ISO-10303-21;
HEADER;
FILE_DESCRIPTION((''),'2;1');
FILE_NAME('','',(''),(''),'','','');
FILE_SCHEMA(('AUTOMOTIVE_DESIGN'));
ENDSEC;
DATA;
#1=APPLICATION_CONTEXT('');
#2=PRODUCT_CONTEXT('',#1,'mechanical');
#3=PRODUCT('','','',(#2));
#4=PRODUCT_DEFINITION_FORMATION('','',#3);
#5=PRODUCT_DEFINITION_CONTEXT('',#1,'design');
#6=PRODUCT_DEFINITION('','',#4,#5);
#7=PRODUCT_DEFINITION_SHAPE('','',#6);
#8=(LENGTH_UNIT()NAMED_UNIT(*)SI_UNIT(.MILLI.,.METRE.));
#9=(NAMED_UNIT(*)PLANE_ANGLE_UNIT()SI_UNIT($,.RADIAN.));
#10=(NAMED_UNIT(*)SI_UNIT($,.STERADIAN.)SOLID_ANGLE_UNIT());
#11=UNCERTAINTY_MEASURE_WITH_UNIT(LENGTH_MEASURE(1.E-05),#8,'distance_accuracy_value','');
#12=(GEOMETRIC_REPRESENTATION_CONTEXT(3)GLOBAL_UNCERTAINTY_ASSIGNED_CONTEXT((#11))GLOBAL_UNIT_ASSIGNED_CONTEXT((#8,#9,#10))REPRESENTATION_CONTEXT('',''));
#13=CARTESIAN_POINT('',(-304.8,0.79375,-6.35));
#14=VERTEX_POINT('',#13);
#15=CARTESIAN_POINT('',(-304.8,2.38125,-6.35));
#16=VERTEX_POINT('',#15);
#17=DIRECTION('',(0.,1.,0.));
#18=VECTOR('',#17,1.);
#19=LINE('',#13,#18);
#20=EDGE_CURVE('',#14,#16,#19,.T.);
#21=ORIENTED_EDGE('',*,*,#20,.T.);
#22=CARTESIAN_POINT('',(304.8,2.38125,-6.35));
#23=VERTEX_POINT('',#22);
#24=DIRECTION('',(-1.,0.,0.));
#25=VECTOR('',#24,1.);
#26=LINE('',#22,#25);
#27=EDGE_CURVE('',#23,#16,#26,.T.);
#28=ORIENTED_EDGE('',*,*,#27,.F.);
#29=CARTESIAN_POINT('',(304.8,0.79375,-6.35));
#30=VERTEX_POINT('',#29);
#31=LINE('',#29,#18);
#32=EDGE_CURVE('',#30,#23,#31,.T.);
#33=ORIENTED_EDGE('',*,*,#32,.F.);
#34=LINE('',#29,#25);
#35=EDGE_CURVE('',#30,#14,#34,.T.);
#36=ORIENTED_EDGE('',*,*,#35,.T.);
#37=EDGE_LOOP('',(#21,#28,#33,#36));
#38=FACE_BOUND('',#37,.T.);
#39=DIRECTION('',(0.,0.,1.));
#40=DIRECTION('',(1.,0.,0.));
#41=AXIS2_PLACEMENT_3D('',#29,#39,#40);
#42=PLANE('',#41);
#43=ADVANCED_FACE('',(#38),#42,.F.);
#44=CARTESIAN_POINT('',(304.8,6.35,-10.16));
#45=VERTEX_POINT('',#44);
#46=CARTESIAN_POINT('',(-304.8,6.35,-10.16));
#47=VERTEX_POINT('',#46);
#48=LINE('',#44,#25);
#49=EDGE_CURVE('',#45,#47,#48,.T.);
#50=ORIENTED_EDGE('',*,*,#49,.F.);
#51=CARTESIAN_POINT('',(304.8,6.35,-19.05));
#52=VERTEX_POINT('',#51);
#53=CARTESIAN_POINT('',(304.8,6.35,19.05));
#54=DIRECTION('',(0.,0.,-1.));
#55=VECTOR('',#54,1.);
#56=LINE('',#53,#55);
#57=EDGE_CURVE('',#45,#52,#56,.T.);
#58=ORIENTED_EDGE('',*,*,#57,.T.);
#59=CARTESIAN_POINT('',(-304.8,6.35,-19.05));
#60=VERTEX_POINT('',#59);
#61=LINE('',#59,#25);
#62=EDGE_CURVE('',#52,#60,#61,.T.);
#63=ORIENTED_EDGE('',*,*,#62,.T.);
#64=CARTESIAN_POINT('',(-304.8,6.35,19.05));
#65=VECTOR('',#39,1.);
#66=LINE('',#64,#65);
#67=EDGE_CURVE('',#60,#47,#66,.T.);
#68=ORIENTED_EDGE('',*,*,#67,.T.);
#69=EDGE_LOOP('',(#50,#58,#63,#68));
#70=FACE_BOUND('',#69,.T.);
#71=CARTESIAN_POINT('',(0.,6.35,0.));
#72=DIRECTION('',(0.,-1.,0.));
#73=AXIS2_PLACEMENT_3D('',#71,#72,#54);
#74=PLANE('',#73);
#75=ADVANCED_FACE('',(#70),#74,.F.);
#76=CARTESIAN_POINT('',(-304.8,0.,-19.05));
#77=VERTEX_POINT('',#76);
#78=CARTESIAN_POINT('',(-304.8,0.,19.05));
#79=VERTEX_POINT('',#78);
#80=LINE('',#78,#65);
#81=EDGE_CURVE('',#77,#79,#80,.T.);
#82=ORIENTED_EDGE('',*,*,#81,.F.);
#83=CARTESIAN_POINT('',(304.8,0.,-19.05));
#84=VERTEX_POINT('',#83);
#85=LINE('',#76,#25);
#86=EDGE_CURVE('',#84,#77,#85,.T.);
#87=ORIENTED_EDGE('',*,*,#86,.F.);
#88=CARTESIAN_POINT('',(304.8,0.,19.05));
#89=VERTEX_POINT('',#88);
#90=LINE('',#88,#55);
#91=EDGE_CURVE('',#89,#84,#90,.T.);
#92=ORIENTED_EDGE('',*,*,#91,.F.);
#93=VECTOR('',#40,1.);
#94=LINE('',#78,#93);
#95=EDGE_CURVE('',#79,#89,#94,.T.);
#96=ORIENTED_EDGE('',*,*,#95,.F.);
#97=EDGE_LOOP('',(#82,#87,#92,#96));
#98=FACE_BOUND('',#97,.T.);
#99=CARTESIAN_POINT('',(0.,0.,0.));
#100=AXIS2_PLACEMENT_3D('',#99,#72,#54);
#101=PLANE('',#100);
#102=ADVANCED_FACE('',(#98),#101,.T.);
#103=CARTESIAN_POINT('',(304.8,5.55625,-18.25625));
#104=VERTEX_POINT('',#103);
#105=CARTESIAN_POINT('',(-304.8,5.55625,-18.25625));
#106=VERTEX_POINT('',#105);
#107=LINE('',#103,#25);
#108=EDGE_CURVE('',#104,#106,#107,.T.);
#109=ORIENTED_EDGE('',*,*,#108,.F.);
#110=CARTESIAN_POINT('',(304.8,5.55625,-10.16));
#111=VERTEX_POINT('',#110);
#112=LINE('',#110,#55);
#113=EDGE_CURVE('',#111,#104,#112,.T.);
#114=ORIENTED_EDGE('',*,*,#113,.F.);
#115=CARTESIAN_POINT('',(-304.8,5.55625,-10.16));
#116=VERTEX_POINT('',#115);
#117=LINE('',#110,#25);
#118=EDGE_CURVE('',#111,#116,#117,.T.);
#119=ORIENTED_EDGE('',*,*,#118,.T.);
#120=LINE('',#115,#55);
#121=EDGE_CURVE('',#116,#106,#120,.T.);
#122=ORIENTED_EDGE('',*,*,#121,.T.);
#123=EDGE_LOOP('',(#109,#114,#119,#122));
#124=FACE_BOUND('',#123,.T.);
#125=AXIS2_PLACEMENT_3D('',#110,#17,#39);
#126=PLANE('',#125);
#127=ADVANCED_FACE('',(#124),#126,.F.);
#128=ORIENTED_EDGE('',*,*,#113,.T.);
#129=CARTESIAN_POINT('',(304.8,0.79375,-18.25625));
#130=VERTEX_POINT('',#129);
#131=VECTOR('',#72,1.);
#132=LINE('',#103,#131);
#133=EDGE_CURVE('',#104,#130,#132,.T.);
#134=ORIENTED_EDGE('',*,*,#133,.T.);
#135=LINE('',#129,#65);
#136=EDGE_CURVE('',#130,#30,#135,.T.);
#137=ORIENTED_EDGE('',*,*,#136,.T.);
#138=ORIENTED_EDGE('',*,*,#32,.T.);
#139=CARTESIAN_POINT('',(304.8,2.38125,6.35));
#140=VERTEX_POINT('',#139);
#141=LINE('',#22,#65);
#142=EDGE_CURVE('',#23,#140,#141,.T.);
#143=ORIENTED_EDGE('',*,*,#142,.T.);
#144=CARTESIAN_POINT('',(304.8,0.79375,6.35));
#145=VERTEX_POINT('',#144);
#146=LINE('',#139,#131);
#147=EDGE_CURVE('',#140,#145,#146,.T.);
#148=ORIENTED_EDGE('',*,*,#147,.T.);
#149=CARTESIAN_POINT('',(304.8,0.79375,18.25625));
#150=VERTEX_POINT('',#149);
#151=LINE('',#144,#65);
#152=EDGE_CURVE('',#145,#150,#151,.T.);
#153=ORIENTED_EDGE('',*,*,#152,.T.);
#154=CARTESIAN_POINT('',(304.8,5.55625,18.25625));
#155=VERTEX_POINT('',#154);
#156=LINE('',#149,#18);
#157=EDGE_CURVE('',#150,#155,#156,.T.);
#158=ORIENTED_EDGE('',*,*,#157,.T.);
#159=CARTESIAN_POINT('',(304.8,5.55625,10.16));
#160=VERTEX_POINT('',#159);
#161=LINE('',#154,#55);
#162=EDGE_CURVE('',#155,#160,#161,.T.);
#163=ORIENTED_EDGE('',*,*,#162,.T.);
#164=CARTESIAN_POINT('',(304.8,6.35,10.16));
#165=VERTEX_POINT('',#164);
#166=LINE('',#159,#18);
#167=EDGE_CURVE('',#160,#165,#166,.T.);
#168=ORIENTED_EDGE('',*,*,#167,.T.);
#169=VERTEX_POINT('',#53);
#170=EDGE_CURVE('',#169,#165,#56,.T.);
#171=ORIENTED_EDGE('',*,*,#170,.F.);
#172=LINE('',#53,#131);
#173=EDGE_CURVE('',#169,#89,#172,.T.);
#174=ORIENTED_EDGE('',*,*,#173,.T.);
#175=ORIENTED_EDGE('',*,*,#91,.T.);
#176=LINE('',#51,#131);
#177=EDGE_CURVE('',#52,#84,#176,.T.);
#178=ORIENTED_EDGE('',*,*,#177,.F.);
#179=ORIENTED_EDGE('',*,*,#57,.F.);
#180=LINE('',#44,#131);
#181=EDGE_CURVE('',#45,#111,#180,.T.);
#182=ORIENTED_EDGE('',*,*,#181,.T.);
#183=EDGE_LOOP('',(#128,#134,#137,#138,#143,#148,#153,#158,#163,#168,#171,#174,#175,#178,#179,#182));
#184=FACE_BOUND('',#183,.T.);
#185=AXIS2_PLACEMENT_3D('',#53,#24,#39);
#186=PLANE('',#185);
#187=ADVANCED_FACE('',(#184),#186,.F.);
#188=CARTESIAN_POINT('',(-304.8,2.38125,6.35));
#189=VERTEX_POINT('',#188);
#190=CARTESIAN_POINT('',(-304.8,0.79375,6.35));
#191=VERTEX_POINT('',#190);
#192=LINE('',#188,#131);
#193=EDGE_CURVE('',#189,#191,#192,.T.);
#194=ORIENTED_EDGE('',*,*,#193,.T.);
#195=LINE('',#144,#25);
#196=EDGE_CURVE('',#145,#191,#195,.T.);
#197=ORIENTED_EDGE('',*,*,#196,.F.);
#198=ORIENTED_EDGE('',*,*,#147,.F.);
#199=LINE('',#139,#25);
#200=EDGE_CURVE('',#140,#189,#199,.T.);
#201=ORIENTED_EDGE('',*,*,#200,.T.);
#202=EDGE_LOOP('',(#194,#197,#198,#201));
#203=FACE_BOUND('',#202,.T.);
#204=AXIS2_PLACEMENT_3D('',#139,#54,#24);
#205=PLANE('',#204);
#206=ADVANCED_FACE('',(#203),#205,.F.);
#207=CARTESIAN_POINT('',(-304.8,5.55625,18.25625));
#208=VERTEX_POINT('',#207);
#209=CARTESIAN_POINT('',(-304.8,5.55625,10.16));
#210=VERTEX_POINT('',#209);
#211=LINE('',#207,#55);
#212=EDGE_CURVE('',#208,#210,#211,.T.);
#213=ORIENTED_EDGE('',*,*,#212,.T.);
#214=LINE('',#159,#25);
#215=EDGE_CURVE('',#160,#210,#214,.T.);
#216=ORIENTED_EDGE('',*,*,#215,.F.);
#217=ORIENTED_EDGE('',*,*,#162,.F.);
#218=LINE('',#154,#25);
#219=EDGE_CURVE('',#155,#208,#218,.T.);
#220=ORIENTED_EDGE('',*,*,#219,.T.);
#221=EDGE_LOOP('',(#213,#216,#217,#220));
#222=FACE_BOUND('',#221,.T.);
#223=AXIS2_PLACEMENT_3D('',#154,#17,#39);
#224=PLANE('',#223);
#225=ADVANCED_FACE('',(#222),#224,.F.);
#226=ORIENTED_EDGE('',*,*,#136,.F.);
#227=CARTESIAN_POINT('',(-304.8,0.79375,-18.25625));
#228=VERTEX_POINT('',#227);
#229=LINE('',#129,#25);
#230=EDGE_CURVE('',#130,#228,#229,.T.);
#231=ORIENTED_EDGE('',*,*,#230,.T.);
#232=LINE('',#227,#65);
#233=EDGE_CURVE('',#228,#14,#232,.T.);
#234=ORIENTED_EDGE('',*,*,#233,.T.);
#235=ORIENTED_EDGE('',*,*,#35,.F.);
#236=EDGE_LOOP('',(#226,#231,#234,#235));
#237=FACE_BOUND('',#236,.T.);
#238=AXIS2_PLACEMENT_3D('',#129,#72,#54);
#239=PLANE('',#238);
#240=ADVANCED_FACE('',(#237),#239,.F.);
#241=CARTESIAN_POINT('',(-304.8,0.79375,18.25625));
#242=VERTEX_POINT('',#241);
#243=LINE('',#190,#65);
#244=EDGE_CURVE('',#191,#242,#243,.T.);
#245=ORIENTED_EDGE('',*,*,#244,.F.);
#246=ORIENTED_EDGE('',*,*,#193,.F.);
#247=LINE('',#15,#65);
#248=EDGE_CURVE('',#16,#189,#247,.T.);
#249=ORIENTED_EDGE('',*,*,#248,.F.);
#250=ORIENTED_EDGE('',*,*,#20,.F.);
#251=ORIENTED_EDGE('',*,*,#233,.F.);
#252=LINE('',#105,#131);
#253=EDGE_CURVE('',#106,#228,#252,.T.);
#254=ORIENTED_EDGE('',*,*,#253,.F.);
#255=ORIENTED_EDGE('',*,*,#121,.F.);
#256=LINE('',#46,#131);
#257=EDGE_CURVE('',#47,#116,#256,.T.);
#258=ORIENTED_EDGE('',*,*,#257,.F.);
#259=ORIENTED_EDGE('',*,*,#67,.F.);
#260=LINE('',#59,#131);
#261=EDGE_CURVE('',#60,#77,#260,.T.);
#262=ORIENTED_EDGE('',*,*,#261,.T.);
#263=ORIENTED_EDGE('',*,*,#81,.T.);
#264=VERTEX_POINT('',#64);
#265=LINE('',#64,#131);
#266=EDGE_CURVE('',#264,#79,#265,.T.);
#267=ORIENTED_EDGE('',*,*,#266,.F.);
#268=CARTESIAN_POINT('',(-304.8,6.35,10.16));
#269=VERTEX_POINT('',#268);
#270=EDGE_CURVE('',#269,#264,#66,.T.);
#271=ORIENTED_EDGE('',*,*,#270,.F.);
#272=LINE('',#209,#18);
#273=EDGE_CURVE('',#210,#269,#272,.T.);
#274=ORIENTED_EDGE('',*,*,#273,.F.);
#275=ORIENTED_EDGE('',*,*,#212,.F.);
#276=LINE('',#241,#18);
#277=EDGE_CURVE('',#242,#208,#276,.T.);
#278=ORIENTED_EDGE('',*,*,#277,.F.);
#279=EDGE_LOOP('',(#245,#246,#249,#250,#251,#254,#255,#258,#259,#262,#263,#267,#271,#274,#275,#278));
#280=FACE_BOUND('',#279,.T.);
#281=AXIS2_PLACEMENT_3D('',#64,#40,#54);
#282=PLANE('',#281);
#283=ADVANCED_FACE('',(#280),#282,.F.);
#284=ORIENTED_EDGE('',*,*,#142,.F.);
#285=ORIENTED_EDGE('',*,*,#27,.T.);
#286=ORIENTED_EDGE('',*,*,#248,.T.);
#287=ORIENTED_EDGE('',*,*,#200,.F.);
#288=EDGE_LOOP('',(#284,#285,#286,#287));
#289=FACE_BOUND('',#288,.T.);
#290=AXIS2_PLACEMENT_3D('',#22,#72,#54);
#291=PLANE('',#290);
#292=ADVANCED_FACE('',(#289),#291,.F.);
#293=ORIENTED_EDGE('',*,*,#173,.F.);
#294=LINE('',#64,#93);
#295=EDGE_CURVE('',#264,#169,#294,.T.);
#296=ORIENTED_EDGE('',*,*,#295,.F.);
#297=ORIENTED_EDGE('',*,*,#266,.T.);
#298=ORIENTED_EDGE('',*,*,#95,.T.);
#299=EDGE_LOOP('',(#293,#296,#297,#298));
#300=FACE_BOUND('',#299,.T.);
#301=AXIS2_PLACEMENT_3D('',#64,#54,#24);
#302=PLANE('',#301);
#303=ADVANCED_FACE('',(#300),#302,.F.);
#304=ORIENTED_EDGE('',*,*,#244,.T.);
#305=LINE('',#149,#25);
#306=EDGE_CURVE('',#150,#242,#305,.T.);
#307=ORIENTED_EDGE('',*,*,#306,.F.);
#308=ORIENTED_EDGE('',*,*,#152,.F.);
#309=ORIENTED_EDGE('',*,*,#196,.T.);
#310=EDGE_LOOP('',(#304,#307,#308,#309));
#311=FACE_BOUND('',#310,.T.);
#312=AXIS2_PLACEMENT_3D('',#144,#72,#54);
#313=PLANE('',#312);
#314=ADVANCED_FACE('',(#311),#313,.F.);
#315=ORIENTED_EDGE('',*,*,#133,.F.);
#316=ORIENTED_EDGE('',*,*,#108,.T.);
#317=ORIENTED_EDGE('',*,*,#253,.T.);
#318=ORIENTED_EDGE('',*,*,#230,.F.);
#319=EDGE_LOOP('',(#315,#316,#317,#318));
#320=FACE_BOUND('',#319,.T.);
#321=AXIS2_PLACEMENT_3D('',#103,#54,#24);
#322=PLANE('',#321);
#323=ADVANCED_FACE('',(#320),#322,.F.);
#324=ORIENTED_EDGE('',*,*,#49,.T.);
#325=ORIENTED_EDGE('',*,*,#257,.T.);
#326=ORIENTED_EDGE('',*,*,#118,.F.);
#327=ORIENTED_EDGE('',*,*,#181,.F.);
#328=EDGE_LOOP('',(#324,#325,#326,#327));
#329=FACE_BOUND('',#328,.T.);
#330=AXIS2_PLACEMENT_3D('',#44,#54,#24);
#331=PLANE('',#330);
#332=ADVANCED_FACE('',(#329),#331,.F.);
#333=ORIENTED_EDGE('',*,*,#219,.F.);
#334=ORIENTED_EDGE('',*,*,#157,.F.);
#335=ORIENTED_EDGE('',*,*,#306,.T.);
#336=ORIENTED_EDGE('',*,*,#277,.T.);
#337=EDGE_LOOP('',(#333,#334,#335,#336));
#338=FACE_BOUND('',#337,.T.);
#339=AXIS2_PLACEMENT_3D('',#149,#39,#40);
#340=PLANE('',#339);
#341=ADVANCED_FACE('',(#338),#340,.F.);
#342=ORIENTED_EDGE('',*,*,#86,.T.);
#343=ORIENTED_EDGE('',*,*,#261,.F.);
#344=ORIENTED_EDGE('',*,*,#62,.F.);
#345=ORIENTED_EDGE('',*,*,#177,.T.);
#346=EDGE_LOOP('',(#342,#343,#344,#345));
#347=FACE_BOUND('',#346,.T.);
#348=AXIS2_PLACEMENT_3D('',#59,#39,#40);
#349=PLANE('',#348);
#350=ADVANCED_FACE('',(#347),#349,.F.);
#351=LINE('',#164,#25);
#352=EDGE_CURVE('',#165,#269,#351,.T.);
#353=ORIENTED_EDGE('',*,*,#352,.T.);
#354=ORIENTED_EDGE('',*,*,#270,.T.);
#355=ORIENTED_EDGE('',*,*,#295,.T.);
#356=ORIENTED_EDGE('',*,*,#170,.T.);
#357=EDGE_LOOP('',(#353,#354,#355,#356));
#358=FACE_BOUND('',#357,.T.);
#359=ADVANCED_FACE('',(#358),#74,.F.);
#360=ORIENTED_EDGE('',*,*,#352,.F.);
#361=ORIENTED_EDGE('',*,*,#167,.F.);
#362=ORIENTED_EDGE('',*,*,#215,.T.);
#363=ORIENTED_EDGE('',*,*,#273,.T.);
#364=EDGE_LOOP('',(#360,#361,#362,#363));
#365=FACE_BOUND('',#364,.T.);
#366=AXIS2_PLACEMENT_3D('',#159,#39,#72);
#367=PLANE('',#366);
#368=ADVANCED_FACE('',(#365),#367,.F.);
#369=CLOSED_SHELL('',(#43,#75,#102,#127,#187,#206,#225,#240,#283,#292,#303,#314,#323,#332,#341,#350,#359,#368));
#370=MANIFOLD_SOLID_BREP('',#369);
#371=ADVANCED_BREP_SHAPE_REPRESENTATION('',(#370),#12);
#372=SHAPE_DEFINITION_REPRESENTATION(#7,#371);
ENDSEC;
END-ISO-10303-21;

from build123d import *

# Parameters (mm, degrees)
SKETCH1_W           = 609.6
SKETCH1_H           = 38.1
BOSS_EXTRUDE1_DEPTH = 6.35
CUT_EXTRUDE1_DEPTH  = 609.6


with BuildPart() as part:
    # Sketch1 → Boss-Extrude1 (new body)
    with BuildSketch(Plane(origin=(0, 0, 0), x_dir=(1, 0, 0), z_dir=(0, 1, 0))):
        Rectangle(SKETCH1_W, SKETCH1_H)
    extrude(amount=BOSS_EXTRUDE1_DEPTH)

    # Sketch2 → Cut-Extrude1 (cut)
    with BuildSketch(Plane.ZY.offset(304.8)):
        Polygon((-10.16, 6.35), (-10.16, 5.55625), (-18.25625, 5.55625), (-18.25625, 0.79375), (-6.35, 0.79375), (-6.35, 2.38125), (6.35, 2.38125), (6.35, 0.79375), (18.25625, 0.79375), (18.25625, 5.55625), (10.16, 5.55625), (10.16, 6.35), align=None)
    extrude(amount=-CUT_EXTRUDE1_DEPTH, mode=Mode.SUBTRACT)


solid = part.part
